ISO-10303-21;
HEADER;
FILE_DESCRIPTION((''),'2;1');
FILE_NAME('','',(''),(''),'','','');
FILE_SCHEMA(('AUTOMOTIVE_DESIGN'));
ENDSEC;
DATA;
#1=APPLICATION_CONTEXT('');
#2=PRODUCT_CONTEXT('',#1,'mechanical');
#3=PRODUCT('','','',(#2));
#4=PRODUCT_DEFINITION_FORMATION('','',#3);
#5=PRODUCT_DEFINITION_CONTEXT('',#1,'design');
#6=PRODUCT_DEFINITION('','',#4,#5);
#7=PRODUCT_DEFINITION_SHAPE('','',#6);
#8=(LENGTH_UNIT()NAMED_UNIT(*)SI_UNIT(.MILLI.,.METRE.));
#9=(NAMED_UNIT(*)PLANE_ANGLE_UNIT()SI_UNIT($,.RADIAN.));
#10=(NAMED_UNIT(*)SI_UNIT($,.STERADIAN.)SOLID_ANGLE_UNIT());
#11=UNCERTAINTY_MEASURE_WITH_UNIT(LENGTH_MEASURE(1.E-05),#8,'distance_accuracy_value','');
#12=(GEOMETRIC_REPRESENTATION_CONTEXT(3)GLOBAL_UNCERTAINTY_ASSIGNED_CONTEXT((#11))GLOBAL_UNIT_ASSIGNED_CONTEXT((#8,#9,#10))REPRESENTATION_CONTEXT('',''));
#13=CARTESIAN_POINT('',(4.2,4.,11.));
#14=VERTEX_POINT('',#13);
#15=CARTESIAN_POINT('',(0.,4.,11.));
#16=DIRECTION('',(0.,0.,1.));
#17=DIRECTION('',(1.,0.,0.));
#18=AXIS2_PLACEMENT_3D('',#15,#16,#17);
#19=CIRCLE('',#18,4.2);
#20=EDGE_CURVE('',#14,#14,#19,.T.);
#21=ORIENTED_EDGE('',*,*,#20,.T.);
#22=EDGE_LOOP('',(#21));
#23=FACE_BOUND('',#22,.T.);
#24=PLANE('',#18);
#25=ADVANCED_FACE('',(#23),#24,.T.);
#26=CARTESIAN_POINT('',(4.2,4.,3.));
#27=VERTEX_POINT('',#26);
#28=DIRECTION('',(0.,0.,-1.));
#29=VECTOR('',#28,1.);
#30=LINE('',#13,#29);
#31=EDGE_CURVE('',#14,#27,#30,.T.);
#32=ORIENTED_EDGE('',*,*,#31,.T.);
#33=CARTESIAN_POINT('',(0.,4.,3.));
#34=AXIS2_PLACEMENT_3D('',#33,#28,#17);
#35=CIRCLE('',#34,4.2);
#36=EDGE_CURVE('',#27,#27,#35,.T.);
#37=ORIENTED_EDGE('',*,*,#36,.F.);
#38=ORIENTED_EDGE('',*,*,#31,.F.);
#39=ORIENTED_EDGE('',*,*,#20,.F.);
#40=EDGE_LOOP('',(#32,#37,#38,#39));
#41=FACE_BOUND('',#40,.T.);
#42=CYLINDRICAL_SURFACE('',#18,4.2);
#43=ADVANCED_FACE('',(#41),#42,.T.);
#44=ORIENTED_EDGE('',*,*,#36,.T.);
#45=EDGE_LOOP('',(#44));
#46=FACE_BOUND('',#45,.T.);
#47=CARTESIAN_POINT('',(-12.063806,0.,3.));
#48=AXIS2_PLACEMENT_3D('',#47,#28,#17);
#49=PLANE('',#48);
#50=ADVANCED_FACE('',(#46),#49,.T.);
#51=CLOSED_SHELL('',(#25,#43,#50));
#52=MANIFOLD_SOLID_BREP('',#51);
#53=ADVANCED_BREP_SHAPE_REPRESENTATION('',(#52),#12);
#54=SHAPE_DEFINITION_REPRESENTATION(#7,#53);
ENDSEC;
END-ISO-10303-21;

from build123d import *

# Parameters (mm, degrees)
SKETCH_R          = 11
PAD_DEPTH         = 5
SKETCH001_R       = 11
PAD001_DEPTH      = 3
SKETCH002_R       = 4.2
PAD002_DEPTH      = 8
SKETCH003_W       = 25.13587
SKETCH003_H       = 8
POCKET_DEPTH      = 11.001
POCKET_DEPTH_BACK = -11.001


with BuildPart() as part:
    # Sketch → Pad (new body)
    with BuildSketch(Plane.XY):
        Circle(SKETCH_R)
        with BuildLine():
            ThreePointArc((-2.683282, 3.1), (0, -4.1), (2.683282, 3.1))
            Line((2.683282, 3.1), (-2.683282, 3.1))
        make_face(mode=Mode.SUBTRACT)
    extrude(amount=-PAD_DEPTH)

    # Sketch001 → Pad001 (join)
    with BuildSketch(Plane.XY.offset(3)):
        Circle(SKETCH001_R)
    extrude(amount=-PAD001_DEPTH)

    # Sketch002 → Pad002 (join)
    with BuildSketch(Plane.XY.offset(11)):
        with Locations((0, 4)):
            Circle(SKETCH002_R)
    extrude(amount=-PAD002_DEPTH)

    # Sketch003 → Pocket (cut, two sides)
    with BuildSketch(Plane.XZ) as pocket_sk:
        with Locations((0.504129, -1)):
            Rectangle(SKETCH003_W, SKETCH003_H)
    extrude(amount=-POCKET_DEPTH, mode=Mode.SUBTRACT)
    extrude(pocket_sk.sketch, amount=-POCKET_DEPTH_BACK, mode=Mode.SUBTRACT)


solid = part.part
